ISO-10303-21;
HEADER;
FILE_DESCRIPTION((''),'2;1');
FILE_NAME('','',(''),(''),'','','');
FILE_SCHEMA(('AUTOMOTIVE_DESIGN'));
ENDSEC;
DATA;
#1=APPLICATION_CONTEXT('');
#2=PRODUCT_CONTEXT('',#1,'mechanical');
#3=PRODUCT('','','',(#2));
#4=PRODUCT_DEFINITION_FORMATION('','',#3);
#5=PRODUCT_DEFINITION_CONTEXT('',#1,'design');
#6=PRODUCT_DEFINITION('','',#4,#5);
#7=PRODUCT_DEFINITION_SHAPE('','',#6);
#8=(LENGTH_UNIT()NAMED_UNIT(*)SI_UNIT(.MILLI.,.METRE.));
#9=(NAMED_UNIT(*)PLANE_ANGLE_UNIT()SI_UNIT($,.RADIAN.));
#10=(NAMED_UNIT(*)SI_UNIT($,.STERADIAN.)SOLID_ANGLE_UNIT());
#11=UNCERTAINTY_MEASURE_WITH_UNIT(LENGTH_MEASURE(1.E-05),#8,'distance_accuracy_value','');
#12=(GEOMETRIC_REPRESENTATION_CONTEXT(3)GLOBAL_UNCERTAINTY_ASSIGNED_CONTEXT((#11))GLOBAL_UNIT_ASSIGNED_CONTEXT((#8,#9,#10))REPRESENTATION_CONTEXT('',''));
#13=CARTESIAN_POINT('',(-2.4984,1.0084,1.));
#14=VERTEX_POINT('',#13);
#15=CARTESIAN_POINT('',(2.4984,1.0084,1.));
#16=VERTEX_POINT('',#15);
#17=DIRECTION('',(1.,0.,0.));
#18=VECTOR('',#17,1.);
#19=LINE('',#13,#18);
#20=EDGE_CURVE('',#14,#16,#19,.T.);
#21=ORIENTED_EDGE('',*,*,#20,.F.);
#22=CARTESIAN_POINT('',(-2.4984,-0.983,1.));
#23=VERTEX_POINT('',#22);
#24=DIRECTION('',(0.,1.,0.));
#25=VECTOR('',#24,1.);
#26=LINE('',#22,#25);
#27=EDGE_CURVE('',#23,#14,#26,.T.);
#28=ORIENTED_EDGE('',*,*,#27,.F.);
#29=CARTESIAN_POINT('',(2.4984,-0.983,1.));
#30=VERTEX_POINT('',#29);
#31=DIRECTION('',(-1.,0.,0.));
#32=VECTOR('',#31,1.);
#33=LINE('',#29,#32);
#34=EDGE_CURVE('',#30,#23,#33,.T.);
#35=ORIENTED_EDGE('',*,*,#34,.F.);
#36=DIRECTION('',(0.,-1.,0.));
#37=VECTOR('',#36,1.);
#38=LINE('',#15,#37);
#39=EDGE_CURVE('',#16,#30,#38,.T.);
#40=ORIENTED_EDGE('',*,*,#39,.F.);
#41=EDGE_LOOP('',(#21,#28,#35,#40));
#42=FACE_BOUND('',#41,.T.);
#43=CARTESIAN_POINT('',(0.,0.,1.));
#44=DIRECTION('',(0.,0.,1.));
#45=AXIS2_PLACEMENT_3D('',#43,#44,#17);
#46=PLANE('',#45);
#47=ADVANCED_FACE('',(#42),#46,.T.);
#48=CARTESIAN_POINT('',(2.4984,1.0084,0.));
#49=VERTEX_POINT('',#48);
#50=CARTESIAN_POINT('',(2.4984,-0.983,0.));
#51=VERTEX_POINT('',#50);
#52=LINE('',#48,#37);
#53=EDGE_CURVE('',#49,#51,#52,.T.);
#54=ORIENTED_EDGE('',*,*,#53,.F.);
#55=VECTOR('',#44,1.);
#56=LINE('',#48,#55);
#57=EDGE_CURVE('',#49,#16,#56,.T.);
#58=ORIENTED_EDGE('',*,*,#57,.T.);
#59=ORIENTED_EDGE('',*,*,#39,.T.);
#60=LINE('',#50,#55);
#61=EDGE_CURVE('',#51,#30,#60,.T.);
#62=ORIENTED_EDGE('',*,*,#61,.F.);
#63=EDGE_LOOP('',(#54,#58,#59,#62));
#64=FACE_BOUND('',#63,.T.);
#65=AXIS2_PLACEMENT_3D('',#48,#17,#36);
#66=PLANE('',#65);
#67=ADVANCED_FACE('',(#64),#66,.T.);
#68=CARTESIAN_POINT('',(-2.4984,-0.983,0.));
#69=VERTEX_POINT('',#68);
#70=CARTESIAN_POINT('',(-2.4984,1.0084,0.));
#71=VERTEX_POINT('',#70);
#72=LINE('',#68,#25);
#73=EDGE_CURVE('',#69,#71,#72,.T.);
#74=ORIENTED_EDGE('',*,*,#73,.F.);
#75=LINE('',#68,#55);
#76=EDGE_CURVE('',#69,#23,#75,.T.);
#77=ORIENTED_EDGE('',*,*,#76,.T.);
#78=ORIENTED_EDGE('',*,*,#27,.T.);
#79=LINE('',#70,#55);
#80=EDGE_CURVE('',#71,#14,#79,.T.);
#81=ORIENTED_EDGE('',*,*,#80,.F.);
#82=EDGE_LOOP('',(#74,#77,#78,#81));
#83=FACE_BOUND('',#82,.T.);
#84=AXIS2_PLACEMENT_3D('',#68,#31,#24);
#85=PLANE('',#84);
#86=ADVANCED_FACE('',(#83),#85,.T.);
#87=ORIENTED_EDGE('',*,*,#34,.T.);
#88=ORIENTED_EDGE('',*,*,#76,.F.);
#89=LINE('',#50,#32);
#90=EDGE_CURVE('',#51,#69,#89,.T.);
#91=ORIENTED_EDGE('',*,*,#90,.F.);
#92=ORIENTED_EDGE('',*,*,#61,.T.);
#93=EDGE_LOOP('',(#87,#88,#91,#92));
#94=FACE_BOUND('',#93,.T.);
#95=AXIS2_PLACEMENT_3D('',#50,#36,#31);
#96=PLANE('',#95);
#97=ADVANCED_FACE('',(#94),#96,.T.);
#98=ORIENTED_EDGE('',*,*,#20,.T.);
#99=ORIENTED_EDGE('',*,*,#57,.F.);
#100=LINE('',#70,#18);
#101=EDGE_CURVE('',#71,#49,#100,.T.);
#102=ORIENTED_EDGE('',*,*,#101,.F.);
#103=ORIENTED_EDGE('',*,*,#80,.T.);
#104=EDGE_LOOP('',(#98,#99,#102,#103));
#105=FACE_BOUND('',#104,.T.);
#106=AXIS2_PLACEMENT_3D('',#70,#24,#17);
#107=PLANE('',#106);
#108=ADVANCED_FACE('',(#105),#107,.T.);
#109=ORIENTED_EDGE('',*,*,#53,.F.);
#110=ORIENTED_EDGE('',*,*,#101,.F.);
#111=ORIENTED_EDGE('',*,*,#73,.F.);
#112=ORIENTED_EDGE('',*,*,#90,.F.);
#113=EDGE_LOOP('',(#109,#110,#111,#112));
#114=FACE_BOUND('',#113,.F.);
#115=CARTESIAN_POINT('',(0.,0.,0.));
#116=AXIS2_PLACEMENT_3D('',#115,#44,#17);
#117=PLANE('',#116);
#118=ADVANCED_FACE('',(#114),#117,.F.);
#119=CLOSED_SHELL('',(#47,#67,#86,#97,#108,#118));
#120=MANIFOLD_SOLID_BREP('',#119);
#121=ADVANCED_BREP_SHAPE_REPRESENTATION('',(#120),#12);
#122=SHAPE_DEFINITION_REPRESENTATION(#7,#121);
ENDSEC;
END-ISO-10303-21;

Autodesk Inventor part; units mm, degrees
ref_plane "YZ Plane" through (0, 0, 0) normal (1, 0, 0) x (0, 1, 0)
ref_plane "XZ Plane" through (0, 0, 0) normal (0, 1, 0) x (-1, 0, 0)
ref_plane "XY Plane" through (0, 0, 0) normal (0, 0, 1) x (1, 0, 0)
sketch "C3216, 10N_49" plane through (0, 0, 0) normal (0, 0, 1) x (1, 0, 0)
  line L0 (-2.4984, 1.0084) -> (2.4984, 1.0084)
  line L1 (2.4984, 1.0084) -> (2.4984, -0.983)
  line L2 (2.4984, -0.983) -> (-2.4984, -0.983)
  line L3 (-2.4984, -0.983) -> (-2.4984, 1.0084)
extrude "Extrusion1" add sketch "C3216, 10N_49" along normal blind 1
properties part number "10N"
